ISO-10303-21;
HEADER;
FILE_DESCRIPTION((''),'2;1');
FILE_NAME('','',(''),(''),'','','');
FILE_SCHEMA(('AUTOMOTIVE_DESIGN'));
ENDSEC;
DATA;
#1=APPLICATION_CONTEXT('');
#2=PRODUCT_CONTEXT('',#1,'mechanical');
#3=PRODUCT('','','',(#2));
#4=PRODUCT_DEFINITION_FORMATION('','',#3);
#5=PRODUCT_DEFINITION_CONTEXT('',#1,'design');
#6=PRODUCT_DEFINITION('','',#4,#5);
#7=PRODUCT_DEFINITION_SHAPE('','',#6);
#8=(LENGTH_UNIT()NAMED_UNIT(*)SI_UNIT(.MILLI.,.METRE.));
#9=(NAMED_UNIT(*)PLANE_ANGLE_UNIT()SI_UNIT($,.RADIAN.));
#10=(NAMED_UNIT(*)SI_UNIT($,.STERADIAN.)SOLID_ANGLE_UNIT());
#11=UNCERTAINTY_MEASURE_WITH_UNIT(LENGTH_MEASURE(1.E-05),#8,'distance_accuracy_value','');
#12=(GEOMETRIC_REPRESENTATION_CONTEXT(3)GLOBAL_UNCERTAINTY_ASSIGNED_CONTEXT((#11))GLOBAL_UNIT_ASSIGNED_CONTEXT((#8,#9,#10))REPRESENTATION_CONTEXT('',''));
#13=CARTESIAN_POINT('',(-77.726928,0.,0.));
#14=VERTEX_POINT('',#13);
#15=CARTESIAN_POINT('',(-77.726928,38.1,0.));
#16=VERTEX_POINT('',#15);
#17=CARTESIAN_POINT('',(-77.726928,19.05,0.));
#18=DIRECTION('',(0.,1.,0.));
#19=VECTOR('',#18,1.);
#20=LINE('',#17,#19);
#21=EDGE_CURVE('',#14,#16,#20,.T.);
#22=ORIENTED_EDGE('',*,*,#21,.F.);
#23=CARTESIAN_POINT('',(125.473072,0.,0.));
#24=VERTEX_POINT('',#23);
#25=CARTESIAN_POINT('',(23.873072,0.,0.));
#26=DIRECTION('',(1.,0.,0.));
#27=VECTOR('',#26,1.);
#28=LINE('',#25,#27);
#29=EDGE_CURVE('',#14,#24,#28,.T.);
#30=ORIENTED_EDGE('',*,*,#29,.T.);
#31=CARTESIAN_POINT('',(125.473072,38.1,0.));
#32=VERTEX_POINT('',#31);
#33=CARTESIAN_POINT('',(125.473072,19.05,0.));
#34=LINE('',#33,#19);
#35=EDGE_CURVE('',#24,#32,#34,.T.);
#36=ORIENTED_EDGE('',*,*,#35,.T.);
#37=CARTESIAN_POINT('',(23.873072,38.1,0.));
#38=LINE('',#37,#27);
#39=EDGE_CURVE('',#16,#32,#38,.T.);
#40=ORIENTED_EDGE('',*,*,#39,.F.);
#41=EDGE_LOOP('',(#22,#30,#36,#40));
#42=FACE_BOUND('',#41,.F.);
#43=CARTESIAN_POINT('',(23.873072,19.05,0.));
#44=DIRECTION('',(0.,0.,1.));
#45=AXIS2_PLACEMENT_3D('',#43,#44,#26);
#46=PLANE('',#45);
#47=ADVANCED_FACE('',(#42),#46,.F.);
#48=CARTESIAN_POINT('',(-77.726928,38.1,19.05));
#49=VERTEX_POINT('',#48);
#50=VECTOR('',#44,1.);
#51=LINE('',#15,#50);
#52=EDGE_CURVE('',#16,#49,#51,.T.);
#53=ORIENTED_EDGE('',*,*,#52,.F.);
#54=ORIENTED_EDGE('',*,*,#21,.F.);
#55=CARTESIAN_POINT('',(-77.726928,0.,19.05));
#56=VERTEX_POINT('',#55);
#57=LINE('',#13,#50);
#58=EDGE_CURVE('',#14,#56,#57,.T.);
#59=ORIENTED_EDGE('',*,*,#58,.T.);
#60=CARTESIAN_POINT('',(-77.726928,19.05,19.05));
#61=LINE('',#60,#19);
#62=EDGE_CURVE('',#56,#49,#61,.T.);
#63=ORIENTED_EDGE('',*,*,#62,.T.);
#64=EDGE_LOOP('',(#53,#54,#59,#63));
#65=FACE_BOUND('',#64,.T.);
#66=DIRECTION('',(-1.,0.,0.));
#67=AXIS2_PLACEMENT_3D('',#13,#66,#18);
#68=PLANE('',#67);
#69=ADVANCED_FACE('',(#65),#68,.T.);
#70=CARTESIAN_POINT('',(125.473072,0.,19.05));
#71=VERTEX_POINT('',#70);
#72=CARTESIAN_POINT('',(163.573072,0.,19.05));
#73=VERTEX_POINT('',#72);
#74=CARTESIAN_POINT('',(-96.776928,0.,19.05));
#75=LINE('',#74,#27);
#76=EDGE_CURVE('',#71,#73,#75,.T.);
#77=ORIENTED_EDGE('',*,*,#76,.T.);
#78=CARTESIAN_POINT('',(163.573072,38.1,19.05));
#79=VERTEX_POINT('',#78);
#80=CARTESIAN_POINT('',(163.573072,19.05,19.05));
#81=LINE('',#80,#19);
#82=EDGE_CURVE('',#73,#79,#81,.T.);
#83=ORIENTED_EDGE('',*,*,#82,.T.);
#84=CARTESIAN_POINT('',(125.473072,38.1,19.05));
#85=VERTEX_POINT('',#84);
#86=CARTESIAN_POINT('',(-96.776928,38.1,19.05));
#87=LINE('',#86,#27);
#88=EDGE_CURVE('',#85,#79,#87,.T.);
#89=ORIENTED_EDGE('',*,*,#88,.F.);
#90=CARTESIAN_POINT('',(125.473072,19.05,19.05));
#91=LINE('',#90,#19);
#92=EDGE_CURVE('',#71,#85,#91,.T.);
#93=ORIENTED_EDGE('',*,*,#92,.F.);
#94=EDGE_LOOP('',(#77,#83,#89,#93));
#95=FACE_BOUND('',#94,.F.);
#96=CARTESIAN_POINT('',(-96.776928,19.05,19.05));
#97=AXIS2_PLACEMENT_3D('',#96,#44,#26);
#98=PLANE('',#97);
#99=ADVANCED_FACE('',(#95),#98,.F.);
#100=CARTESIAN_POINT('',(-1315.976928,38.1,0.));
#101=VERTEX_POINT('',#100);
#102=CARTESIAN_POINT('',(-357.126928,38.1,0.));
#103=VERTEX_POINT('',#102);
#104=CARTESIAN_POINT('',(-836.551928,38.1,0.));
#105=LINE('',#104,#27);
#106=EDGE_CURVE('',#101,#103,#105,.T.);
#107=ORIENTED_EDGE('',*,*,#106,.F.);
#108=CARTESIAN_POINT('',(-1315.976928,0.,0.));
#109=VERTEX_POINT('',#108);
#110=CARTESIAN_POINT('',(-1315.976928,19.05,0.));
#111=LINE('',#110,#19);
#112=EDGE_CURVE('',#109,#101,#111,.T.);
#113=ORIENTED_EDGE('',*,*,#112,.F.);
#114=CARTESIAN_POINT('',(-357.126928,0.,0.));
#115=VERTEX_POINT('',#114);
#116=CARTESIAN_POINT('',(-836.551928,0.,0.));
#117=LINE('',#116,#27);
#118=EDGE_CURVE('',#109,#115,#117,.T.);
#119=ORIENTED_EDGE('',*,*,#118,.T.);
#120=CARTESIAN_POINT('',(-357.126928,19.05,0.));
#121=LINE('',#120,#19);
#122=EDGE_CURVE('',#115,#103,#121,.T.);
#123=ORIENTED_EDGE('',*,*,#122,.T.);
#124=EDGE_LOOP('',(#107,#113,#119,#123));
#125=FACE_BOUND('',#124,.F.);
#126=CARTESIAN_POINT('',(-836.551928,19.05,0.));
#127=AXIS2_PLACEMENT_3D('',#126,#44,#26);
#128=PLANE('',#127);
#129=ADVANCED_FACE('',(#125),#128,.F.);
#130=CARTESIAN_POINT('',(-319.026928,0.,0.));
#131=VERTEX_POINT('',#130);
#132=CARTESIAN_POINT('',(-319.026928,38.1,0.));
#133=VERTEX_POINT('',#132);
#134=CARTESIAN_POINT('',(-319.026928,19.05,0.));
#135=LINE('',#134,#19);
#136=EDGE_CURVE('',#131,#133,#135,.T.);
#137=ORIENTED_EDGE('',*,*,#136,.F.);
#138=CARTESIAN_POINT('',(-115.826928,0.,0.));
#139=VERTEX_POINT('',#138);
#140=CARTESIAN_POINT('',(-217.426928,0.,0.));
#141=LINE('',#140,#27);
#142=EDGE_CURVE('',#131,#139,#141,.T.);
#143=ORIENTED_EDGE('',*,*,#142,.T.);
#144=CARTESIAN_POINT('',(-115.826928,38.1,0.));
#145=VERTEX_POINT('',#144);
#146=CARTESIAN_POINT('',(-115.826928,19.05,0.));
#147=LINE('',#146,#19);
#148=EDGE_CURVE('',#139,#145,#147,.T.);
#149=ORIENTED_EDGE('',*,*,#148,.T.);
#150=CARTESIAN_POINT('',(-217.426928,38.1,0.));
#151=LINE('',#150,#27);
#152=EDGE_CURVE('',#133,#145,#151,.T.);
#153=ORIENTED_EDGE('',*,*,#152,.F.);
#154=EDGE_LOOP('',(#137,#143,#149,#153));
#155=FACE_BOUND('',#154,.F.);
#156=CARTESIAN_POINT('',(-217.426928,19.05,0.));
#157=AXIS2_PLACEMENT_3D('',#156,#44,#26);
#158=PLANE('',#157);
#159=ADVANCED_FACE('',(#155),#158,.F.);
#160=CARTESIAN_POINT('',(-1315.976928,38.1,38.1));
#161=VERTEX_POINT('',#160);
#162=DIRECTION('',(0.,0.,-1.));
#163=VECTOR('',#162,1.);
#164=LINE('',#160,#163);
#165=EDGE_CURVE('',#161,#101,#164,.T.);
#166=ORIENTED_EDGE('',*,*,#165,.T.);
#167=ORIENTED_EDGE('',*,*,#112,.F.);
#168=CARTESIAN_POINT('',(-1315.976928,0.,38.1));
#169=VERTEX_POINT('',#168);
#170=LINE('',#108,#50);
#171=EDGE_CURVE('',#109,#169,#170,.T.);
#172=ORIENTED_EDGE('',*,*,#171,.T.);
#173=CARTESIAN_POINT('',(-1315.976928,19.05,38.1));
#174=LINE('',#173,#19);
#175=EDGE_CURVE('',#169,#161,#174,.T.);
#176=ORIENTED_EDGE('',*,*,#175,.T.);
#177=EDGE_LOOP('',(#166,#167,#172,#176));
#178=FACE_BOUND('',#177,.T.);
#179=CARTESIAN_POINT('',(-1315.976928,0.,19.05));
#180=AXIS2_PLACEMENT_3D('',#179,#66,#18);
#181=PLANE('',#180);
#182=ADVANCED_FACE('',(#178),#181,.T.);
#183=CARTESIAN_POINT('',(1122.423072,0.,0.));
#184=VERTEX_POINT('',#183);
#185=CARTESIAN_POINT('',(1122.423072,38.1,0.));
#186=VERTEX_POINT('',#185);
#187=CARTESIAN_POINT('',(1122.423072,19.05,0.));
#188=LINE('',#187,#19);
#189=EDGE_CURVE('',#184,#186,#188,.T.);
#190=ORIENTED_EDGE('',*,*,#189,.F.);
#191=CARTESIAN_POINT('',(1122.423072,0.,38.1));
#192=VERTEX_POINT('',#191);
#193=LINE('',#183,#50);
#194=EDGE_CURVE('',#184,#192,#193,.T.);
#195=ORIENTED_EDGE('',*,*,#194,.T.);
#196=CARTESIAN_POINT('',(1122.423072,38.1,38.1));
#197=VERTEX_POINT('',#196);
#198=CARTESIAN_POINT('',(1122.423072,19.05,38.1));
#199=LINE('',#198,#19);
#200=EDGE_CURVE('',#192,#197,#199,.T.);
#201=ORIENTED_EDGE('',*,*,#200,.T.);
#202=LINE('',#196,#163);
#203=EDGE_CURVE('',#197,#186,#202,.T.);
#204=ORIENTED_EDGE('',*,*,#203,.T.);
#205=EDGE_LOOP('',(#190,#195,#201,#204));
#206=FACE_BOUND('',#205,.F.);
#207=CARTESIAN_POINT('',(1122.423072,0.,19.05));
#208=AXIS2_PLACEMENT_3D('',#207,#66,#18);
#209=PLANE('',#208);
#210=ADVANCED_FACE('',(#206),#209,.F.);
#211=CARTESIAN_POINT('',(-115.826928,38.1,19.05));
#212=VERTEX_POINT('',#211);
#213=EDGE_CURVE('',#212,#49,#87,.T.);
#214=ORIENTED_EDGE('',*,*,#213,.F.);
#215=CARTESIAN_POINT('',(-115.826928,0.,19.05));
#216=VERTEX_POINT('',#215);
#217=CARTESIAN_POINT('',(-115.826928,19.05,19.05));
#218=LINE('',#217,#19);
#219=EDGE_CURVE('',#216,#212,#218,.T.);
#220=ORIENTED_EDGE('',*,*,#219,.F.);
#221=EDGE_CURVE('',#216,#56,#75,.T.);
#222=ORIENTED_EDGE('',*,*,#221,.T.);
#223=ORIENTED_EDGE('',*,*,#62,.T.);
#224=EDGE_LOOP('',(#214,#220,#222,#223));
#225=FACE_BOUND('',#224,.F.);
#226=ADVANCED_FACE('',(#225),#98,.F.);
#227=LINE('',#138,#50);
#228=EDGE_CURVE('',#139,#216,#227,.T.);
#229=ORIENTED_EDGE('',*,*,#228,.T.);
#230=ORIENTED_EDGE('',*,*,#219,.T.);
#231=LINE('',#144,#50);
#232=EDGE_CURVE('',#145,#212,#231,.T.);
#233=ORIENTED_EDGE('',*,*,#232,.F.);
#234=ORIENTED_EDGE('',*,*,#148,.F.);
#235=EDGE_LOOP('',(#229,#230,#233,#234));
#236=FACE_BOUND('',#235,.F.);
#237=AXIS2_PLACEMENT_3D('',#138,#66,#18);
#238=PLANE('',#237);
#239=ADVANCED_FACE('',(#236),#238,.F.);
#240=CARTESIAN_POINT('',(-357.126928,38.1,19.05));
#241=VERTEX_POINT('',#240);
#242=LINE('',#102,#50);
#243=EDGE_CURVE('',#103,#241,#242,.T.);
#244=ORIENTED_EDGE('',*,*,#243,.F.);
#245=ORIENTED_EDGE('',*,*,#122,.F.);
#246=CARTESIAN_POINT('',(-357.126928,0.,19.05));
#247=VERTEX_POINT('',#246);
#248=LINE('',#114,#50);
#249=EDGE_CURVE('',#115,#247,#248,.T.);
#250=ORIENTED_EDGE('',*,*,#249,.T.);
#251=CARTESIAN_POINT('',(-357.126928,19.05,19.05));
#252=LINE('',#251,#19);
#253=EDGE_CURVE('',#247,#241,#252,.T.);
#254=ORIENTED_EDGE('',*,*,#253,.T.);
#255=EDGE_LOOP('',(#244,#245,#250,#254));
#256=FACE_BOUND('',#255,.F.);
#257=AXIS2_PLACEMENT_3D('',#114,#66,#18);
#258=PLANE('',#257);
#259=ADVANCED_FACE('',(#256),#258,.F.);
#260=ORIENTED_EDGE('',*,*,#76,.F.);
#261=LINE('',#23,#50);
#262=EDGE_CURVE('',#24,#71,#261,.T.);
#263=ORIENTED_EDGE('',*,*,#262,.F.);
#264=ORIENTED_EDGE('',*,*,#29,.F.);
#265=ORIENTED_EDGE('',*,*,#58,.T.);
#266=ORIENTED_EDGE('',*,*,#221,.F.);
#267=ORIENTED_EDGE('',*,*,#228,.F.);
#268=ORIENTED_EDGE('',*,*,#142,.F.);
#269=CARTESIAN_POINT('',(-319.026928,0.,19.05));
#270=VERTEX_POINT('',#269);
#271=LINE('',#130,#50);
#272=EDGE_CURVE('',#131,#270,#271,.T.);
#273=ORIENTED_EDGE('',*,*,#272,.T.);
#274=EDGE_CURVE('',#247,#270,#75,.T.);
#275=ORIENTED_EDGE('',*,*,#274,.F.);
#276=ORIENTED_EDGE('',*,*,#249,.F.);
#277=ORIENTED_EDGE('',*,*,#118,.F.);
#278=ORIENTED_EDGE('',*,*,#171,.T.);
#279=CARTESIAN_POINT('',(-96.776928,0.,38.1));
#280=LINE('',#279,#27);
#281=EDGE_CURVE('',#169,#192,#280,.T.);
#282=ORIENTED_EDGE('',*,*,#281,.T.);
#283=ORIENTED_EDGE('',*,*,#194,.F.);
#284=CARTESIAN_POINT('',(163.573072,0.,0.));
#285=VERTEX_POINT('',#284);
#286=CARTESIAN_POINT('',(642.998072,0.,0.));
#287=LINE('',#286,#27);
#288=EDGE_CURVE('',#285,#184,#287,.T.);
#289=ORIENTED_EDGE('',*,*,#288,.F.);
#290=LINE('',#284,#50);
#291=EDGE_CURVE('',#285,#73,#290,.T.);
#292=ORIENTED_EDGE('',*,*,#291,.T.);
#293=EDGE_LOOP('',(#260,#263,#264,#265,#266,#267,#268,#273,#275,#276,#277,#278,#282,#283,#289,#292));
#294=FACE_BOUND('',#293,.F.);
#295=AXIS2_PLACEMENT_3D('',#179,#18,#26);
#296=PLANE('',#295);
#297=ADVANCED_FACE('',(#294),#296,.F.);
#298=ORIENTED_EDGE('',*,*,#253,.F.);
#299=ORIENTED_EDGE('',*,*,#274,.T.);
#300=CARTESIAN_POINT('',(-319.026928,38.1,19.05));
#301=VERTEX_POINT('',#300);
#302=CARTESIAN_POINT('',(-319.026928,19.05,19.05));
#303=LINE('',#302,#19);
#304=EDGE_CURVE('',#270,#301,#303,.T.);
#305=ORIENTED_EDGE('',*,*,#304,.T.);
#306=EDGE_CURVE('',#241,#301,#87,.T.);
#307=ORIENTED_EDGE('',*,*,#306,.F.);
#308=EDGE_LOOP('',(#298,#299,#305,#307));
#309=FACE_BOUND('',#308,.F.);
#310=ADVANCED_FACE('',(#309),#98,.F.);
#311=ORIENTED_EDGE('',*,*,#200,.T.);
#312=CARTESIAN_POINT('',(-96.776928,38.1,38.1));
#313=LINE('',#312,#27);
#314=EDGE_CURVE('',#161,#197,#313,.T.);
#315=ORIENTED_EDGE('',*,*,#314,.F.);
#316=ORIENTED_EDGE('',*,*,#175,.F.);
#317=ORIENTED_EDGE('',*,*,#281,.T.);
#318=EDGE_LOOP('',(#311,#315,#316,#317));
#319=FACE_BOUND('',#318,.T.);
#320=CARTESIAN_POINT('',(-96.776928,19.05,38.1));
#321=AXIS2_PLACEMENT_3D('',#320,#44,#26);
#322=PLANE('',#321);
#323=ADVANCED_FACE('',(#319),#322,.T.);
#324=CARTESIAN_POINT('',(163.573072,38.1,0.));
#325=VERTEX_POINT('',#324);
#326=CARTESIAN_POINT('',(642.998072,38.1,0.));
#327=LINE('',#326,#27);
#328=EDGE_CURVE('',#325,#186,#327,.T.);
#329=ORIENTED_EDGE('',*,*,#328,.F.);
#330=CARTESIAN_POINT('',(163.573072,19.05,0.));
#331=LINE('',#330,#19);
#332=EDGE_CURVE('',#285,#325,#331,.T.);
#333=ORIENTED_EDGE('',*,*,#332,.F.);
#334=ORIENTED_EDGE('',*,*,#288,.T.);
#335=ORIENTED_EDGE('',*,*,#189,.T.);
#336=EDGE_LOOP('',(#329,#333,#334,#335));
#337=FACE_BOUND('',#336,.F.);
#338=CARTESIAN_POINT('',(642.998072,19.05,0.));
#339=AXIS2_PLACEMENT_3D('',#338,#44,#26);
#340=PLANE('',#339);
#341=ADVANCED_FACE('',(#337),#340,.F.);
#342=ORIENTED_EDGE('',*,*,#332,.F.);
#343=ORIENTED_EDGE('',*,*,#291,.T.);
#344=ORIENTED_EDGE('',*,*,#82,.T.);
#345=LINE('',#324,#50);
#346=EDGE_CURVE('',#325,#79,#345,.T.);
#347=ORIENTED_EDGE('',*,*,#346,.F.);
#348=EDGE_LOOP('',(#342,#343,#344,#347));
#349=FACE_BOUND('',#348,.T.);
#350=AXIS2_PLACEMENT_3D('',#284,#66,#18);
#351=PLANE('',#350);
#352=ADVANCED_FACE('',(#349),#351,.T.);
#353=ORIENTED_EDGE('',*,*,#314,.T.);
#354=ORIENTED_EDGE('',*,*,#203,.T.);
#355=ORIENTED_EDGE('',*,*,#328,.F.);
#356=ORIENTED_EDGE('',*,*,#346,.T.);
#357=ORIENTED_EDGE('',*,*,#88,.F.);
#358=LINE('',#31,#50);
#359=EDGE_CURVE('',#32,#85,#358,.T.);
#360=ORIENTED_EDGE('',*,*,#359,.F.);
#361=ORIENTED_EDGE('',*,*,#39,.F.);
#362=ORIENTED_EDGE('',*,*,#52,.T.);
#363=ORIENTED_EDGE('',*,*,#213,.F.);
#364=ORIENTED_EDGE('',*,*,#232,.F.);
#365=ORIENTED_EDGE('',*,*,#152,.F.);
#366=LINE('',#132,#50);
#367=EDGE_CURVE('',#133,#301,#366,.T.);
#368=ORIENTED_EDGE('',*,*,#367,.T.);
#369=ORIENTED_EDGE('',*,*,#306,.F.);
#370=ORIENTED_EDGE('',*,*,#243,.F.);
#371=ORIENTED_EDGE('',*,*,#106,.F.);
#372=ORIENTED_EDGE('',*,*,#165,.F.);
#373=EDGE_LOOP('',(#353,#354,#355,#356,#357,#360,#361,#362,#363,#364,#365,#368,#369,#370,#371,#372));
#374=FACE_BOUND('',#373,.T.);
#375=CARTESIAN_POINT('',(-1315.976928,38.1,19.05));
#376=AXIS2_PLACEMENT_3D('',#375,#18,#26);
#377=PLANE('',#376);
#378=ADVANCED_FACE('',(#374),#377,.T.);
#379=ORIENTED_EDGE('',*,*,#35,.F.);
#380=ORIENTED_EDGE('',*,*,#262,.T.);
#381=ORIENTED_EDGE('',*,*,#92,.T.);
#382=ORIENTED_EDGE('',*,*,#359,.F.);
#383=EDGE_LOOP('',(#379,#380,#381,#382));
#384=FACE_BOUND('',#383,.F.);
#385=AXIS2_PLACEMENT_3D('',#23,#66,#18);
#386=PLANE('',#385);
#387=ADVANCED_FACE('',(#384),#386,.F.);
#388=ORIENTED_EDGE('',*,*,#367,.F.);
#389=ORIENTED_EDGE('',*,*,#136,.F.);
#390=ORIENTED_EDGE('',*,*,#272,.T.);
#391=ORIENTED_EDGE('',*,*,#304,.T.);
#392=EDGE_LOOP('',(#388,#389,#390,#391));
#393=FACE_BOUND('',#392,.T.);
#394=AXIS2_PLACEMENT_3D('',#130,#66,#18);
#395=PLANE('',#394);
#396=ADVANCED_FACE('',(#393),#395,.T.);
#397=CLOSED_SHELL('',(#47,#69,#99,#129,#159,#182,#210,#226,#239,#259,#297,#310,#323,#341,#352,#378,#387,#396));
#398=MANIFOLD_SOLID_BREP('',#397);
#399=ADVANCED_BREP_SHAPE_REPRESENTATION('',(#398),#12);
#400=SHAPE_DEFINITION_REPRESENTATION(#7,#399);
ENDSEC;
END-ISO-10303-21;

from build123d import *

# Parameters (mm, degrees)
F0_W     = 958.85
F0_H     = 38.1
F1_DEPTH = 19.05
F0_W_2   = 203.2
F2_W     = 2438.4
F2_H     = 38.1
F3_DEPTH = 19.05


with BuildPart() as f1:
    # F0 (on Top) → F1 (new body)
    with BuildSketch(Plane.XY):
        with Locations((-836.5519275119, 19.05)):
            Rectangle(F0_W, F0_H)
    extrude(amount=F1_DEPTH)



with BuildPart() as f1b:
    # F0 (on Top) → F1, piece 2 (new body)
    with BuildSketch(Plane.XY):
        with Locations((23.8730724881, 19.05)):
            Rectangle(F0_W_2, F0_H)
    extrude(amount=F1_DEPTH)


with BuildPart() as f1c:
    # F0 (on Top) → F1, piece 3 (new body)
    with BuildSketch(Plane.XY):
        with Locations((-217.4269275119, 19.05)):
            Rectangle(F0_W_2, F0_H)
    extrude(amount=F1_DEPTH)


with BuildPart() as f1d:
    # F0 (on Top) → F1, piece 4 (new body)
    with BuildSketch(Plane.XY):
        with Locations((642.9980724881, 19.05)):
            Rectangle(F0_W, F0_H)
    extrude(amount=F1_DEPTH)


with BuildPart() as f1_1:
    add(f1.part)

    add(f1b.part)  # F3 merges F1b

    add(f1c.part)  # F3 merges F1c

    add(f1d.part)  # F3 merges F1d
    # F2 (on face) → F3 (join)
    with BuildSketch(Plane.XY.offset(19.05)):
        with Locations((-96.7769275119, 19.05)):
            Rectangle(F2_W, F2_H)
    extrude(amount=F3_DEPTH)


solid = f1_1.part
